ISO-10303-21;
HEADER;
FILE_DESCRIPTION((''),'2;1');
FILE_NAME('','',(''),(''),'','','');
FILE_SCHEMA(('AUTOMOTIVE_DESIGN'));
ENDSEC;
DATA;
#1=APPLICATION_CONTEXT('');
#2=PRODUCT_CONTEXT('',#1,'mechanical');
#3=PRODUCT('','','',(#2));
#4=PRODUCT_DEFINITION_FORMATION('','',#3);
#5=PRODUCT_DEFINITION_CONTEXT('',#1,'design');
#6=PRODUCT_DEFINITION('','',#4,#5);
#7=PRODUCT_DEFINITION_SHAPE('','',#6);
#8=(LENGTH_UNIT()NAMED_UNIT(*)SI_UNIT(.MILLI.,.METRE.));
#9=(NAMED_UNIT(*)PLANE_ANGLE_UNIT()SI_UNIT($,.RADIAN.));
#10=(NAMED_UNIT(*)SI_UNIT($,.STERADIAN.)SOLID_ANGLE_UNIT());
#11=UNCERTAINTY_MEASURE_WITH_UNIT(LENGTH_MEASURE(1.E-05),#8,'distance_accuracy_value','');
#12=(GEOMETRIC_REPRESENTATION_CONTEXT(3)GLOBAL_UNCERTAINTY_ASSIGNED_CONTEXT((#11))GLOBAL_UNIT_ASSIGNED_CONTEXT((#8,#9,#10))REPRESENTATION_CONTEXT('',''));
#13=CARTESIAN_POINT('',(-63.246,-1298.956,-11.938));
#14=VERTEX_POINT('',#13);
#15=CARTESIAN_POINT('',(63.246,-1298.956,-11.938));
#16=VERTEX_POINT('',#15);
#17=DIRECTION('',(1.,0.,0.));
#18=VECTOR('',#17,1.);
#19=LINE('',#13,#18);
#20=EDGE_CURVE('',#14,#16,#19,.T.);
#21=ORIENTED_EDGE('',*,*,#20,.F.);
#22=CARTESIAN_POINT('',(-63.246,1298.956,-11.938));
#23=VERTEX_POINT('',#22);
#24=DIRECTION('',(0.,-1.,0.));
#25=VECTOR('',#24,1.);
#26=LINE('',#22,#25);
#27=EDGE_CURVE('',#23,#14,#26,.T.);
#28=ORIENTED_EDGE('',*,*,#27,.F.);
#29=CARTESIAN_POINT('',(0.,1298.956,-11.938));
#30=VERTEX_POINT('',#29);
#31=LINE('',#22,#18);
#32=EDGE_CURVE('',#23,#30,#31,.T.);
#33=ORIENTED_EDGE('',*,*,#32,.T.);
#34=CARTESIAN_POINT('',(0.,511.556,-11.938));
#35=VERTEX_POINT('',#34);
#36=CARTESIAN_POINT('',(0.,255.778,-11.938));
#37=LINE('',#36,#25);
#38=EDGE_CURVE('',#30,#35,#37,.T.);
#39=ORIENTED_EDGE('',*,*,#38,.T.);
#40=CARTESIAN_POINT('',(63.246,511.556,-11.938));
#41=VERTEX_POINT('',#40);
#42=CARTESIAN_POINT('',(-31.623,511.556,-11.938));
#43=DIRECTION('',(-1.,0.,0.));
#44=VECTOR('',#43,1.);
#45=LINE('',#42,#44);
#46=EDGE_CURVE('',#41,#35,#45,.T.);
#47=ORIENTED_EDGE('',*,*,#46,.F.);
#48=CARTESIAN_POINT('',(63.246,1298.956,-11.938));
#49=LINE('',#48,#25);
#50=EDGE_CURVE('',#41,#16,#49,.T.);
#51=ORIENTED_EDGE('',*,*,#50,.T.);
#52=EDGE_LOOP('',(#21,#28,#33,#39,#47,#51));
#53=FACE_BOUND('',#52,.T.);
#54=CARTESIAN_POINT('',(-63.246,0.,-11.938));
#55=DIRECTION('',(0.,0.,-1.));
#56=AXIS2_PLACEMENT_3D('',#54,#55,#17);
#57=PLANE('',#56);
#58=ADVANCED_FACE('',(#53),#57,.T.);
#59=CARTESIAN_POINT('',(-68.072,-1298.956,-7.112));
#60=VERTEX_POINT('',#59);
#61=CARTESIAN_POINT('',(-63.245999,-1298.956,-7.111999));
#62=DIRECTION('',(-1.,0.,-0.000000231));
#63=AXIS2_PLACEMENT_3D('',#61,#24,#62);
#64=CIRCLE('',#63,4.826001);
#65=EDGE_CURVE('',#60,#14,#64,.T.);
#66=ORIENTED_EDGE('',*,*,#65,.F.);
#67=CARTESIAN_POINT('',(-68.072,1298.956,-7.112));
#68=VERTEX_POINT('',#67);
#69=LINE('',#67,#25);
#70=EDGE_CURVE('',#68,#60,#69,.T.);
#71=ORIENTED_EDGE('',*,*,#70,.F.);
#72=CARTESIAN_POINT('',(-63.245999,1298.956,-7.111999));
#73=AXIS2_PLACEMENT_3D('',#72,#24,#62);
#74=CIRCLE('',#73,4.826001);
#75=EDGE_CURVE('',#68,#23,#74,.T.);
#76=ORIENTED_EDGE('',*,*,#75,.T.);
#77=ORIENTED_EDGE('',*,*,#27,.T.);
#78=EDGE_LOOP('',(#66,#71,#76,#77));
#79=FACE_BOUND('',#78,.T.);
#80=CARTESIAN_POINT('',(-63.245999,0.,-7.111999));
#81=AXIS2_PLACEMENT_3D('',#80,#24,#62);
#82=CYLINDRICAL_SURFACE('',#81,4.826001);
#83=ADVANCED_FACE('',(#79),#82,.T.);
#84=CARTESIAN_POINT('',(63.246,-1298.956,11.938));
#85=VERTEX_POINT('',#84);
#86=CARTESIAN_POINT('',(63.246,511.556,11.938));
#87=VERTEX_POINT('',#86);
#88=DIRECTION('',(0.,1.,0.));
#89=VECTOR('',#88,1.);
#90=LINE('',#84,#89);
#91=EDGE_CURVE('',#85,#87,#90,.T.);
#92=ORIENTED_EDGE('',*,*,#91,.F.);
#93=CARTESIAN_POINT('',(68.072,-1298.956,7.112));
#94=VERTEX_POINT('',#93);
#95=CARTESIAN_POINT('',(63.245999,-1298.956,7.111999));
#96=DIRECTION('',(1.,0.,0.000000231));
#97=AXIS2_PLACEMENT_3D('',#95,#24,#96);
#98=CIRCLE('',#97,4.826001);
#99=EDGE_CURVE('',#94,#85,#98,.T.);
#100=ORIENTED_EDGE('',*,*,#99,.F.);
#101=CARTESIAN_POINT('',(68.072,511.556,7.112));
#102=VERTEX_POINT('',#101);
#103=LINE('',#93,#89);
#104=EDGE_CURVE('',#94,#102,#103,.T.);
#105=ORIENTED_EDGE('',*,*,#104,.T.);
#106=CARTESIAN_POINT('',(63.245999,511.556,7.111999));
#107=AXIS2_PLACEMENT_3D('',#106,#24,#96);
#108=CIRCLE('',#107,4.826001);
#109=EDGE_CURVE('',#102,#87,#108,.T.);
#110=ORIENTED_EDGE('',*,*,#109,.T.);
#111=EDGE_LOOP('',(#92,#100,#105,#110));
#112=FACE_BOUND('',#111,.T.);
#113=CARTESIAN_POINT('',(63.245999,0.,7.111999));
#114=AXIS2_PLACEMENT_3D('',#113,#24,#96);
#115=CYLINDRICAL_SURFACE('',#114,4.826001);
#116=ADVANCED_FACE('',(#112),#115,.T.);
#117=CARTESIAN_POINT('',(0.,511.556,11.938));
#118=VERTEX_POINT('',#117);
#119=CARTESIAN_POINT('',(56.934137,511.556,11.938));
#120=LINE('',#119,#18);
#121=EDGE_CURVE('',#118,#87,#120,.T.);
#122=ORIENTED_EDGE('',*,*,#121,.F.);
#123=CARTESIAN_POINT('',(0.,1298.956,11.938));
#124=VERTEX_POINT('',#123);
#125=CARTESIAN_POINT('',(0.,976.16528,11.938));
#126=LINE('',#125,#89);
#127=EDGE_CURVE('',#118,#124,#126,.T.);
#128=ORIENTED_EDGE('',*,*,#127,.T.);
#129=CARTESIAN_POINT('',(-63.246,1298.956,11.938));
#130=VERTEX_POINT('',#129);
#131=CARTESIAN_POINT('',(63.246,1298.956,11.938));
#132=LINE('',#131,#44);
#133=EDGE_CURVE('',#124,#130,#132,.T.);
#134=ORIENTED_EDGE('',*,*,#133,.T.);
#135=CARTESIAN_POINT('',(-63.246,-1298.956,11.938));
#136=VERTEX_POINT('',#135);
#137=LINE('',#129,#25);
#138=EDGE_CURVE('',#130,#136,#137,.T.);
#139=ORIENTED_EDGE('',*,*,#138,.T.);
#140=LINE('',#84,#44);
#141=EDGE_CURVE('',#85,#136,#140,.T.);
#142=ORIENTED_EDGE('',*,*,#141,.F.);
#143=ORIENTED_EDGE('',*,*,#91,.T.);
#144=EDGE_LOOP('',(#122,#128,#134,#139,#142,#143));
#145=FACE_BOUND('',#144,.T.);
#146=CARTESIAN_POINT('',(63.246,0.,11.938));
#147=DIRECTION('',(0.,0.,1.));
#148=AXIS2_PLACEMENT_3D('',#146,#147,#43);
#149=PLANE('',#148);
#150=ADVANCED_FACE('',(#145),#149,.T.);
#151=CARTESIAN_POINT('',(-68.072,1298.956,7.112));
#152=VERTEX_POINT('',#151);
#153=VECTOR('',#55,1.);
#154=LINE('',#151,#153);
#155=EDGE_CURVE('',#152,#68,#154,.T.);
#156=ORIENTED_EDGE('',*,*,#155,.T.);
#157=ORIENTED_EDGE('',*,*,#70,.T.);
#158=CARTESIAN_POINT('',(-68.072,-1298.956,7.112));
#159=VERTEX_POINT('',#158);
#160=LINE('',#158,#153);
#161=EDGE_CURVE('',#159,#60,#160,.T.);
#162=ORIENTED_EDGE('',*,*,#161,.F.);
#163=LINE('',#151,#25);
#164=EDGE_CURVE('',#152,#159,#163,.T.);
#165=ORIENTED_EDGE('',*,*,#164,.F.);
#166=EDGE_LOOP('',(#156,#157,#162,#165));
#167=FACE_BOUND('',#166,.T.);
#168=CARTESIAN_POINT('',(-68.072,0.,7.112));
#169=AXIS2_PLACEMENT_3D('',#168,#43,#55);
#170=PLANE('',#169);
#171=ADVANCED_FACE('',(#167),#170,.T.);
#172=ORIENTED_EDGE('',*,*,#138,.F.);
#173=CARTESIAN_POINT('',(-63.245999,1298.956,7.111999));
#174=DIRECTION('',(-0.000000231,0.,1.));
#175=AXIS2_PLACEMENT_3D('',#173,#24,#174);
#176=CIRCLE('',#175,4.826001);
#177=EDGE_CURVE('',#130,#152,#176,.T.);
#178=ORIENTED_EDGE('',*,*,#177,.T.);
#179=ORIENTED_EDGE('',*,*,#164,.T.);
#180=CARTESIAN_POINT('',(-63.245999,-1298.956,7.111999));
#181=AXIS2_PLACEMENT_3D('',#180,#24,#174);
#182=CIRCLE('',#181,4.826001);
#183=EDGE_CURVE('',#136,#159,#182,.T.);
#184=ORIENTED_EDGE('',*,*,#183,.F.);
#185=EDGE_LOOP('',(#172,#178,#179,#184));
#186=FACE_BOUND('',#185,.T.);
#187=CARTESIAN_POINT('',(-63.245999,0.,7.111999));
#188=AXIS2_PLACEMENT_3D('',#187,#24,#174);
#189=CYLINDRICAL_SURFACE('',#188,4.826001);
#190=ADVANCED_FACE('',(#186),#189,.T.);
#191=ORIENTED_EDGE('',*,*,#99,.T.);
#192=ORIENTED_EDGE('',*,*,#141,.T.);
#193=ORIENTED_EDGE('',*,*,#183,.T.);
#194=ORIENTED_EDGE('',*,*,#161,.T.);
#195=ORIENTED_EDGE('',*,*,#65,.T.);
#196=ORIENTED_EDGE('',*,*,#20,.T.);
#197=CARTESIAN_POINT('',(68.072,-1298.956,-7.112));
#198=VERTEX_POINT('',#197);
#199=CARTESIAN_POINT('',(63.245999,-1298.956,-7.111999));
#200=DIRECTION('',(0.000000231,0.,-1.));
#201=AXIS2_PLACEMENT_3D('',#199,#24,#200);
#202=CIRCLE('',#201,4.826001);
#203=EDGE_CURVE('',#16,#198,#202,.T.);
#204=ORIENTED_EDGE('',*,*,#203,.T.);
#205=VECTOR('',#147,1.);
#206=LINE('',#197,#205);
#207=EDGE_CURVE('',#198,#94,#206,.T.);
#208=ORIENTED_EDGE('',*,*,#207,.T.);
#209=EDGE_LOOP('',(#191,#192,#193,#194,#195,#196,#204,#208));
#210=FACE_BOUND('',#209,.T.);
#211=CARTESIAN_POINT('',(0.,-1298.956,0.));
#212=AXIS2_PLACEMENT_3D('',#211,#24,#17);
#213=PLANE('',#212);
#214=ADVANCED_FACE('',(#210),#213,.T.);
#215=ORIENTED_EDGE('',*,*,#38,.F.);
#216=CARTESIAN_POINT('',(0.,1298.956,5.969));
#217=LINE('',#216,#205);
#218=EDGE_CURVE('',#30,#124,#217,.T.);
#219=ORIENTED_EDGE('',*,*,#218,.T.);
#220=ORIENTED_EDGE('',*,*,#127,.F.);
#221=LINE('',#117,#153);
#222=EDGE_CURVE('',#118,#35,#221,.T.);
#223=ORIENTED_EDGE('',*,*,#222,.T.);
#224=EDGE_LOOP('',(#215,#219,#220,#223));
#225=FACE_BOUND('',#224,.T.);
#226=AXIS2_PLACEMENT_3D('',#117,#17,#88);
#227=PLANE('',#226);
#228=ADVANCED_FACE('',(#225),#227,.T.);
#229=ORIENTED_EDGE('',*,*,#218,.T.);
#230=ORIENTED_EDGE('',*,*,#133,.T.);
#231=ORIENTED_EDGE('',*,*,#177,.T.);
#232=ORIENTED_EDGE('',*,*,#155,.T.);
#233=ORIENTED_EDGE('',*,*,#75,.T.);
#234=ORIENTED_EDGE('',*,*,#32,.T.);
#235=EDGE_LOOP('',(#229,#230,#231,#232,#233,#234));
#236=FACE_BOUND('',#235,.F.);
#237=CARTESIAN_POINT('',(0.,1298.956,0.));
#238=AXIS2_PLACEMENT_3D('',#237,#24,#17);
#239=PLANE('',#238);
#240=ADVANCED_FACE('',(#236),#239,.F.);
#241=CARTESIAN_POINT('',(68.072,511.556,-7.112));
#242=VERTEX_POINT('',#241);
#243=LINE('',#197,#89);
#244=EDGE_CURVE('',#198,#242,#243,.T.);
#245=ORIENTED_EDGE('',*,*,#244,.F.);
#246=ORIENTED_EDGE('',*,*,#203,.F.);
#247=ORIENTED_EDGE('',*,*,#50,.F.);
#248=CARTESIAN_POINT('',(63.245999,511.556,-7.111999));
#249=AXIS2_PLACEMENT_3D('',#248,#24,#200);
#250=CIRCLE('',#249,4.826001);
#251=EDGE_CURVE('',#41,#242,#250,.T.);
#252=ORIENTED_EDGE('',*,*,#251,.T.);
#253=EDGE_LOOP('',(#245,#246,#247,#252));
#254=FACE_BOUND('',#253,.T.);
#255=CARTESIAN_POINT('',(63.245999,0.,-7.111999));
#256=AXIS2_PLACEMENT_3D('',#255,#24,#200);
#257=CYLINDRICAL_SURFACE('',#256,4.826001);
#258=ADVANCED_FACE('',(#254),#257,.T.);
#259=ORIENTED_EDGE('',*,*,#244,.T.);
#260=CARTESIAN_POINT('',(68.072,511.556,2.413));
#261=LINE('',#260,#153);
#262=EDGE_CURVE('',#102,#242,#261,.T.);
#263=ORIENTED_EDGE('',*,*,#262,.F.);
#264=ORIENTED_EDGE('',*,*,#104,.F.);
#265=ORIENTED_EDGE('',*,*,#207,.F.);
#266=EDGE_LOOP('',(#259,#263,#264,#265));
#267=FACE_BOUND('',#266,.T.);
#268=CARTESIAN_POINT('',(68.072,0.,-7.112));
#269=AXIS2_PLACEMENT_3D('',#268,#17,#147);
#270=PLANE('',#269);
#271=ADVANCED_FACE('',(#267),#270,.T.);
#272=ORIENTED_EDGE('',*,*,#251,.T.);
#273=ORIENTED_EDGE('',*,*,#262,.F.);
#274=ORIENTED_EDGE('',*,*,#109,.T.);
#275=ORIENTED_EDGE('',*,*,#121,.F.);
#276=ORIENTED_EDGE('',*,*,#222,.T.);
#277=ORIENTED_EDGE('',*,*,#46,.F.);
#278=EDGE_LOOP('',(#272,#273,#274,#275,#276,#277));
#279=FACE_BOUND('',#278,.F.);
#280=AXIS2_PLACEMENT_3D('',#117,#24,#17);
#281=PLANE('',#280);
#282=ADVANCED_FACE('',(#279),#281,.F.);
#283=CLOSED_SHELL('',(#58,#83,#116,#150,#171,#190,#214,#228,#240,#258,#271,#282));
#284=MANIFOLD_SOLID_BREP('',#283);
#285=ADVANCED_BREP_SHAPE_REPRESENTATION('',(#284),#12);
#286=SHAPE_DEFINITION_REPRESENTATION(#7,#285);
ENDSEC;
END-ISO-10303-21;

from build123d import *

# Parameters (mm, degrees)
F1_DEPTH = 1298.956
F2_W     = 113.868274
F2_H     = 929.21856
F3_DEPTH = 23.877


with BuildPart() as f1:
    # F0 (on Front) → F1 (new body, symmetric)
    with BuildSketch(Plane.XZ):
        with BuildLine():
            Line((63.246, 11.938), (-63.246, 11.938))
            ThreePointArc((-63.246, 11.938), (-66.658497, 10.524497), (-68.072, 7.112))
            Line((-68.072, 7.112), (-68.072, -7.112))
            ThreePointArc((-68.072, -7.112), (-66.658497, -10.524497), (-63.246, -11.938))
            Line((-63.246, -11.938), (63.246, -11.938))
            ThreePointArc((63.246, -11.938), (66.658497, -10.524497), (68.072, -7.112))
            Line((68.072, -7.112), (68.072, 7.112))
            ThreePointArc((68.072, 7.112), (66.658497, 10.524497), (63.246, 11.938))
        make_face()
    extrude(amount=F1_DEPTH, both=True)

    # F2 (on face) → F3 (cut, through all)
    with BuildSketch(Plane.XY.offset(11.938)):
        with Locations((56.934137, 976.16528)):
            Rectangle(F2_W, F2_H)
    extrude(amount=-F3_DEPTH, mode=Mode.SUBTRACT)


solid = f1.part
